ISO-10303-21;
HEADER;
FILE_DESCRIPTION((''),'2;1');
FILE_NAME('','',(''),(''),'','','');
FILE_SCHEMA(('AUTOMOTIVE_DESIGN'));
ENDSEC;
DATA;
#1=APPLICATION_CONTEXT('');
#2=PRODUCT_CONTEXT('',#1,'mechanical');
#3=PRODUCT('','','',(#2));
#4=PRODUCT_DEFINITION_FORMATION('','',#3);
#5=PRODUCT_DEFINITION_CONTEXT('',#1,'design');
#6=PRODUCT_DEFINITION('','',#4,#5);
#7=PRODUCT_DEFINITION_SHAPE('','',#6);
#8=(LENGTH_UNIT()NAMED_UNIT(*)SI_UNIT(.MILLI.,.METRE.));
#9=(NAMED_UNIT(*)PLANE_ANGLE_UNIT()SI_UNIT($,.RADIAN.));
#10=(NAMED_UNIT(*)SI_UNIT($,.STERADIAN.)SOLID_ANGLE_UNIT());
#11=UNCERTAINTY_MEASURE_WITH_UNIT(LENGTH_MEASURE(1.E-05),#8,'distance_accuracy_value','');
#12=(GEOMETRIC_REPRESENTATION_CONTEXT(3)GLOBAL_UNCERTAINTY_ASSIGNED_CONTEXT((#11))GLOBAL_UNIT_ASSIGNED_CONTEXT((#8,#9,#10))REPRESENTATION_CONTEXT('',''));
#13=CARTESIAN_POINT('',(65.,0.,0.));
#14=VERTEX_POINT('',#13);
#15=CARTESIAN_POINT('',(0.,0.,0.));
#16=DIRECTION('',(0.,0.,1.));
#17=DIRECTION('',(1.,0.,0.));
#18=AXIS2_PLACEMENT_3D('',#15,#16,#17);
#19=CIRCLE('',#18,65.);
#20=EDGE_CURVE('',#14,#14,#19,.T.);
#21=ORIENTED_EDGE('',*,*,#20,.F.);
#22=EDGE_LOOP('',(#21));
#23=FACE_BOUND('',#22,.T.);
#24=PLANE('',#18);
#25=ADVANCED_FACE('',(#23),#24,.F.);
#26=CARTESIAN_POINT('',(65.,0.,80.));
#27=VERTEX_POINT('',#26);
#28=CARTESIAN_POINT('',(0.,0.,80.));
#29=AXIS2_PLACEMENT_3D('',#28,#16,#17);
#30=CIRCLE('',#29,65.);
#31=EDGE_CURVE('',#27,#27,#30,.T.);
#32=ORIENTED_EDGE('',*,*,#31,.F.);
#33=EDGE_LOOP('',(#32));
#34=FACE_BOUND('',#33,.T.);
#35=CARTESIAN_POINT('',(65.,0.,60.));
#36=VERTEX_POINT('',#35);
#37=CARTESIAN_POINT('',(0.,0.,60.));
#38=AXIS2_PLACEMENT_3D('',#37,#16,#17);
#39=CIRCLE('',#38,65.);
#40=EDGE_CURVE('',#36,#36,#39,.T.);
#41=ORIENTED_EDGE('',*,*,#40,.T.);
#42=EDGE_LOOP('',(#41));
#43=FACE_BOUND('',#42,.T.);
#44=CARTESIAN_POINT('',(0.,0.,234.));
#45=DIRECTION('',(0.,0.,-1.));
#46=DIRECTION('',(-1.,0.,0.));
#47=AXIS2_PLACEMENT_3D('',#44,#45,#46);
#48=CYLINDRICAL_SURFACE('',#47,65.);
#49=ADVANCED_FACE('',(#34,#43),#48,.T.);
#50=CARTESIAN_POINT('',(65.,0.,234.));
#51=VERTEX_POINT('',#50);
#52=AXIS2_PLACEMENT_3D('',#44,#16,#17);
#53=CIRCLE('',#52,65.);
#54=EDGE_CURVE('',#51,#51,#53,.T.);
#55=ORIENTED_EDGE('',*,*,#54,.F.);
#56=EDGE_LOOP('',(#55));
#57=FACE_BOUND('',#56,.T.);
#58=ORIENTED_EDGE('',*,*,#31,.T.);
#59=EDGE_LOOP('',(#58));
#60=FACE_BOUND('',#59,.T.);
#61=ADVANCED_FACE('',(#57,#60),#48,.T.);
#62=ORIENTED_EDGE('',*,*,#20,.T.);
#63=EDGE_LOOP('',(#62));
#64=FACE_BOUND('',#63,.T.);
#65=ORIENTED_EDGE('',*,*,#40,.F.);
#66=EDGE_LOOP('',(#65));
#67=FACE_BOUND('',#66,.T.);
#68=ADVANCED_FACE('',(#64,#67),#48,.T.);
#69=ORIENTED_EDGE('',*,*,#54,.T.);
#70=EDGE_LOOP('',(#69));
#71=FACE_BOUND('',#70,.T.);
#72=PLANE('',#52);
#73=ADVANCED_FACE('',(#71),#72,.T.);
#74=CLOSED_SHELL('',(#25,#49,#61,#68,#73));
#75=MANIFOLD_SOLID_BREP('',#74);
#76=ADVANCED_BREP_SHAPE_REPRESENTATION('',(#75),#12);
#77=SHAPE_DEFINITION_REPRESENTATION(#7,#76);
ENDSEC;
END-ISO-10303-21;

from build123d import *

# Parameters (mm, degrees)
SKETCH1_R         = 65
EXTRUDEASSE_DEPTH = 234


with BuildPart() as part:
    # Sketch1 → ExtrudeAsse (new body)
    with BuildSketch(Plane.XY):
        Circle(SKETCH1_R)
    extrude(amount=EXTRUDEASSE_DEPTH)


solid = part.part
